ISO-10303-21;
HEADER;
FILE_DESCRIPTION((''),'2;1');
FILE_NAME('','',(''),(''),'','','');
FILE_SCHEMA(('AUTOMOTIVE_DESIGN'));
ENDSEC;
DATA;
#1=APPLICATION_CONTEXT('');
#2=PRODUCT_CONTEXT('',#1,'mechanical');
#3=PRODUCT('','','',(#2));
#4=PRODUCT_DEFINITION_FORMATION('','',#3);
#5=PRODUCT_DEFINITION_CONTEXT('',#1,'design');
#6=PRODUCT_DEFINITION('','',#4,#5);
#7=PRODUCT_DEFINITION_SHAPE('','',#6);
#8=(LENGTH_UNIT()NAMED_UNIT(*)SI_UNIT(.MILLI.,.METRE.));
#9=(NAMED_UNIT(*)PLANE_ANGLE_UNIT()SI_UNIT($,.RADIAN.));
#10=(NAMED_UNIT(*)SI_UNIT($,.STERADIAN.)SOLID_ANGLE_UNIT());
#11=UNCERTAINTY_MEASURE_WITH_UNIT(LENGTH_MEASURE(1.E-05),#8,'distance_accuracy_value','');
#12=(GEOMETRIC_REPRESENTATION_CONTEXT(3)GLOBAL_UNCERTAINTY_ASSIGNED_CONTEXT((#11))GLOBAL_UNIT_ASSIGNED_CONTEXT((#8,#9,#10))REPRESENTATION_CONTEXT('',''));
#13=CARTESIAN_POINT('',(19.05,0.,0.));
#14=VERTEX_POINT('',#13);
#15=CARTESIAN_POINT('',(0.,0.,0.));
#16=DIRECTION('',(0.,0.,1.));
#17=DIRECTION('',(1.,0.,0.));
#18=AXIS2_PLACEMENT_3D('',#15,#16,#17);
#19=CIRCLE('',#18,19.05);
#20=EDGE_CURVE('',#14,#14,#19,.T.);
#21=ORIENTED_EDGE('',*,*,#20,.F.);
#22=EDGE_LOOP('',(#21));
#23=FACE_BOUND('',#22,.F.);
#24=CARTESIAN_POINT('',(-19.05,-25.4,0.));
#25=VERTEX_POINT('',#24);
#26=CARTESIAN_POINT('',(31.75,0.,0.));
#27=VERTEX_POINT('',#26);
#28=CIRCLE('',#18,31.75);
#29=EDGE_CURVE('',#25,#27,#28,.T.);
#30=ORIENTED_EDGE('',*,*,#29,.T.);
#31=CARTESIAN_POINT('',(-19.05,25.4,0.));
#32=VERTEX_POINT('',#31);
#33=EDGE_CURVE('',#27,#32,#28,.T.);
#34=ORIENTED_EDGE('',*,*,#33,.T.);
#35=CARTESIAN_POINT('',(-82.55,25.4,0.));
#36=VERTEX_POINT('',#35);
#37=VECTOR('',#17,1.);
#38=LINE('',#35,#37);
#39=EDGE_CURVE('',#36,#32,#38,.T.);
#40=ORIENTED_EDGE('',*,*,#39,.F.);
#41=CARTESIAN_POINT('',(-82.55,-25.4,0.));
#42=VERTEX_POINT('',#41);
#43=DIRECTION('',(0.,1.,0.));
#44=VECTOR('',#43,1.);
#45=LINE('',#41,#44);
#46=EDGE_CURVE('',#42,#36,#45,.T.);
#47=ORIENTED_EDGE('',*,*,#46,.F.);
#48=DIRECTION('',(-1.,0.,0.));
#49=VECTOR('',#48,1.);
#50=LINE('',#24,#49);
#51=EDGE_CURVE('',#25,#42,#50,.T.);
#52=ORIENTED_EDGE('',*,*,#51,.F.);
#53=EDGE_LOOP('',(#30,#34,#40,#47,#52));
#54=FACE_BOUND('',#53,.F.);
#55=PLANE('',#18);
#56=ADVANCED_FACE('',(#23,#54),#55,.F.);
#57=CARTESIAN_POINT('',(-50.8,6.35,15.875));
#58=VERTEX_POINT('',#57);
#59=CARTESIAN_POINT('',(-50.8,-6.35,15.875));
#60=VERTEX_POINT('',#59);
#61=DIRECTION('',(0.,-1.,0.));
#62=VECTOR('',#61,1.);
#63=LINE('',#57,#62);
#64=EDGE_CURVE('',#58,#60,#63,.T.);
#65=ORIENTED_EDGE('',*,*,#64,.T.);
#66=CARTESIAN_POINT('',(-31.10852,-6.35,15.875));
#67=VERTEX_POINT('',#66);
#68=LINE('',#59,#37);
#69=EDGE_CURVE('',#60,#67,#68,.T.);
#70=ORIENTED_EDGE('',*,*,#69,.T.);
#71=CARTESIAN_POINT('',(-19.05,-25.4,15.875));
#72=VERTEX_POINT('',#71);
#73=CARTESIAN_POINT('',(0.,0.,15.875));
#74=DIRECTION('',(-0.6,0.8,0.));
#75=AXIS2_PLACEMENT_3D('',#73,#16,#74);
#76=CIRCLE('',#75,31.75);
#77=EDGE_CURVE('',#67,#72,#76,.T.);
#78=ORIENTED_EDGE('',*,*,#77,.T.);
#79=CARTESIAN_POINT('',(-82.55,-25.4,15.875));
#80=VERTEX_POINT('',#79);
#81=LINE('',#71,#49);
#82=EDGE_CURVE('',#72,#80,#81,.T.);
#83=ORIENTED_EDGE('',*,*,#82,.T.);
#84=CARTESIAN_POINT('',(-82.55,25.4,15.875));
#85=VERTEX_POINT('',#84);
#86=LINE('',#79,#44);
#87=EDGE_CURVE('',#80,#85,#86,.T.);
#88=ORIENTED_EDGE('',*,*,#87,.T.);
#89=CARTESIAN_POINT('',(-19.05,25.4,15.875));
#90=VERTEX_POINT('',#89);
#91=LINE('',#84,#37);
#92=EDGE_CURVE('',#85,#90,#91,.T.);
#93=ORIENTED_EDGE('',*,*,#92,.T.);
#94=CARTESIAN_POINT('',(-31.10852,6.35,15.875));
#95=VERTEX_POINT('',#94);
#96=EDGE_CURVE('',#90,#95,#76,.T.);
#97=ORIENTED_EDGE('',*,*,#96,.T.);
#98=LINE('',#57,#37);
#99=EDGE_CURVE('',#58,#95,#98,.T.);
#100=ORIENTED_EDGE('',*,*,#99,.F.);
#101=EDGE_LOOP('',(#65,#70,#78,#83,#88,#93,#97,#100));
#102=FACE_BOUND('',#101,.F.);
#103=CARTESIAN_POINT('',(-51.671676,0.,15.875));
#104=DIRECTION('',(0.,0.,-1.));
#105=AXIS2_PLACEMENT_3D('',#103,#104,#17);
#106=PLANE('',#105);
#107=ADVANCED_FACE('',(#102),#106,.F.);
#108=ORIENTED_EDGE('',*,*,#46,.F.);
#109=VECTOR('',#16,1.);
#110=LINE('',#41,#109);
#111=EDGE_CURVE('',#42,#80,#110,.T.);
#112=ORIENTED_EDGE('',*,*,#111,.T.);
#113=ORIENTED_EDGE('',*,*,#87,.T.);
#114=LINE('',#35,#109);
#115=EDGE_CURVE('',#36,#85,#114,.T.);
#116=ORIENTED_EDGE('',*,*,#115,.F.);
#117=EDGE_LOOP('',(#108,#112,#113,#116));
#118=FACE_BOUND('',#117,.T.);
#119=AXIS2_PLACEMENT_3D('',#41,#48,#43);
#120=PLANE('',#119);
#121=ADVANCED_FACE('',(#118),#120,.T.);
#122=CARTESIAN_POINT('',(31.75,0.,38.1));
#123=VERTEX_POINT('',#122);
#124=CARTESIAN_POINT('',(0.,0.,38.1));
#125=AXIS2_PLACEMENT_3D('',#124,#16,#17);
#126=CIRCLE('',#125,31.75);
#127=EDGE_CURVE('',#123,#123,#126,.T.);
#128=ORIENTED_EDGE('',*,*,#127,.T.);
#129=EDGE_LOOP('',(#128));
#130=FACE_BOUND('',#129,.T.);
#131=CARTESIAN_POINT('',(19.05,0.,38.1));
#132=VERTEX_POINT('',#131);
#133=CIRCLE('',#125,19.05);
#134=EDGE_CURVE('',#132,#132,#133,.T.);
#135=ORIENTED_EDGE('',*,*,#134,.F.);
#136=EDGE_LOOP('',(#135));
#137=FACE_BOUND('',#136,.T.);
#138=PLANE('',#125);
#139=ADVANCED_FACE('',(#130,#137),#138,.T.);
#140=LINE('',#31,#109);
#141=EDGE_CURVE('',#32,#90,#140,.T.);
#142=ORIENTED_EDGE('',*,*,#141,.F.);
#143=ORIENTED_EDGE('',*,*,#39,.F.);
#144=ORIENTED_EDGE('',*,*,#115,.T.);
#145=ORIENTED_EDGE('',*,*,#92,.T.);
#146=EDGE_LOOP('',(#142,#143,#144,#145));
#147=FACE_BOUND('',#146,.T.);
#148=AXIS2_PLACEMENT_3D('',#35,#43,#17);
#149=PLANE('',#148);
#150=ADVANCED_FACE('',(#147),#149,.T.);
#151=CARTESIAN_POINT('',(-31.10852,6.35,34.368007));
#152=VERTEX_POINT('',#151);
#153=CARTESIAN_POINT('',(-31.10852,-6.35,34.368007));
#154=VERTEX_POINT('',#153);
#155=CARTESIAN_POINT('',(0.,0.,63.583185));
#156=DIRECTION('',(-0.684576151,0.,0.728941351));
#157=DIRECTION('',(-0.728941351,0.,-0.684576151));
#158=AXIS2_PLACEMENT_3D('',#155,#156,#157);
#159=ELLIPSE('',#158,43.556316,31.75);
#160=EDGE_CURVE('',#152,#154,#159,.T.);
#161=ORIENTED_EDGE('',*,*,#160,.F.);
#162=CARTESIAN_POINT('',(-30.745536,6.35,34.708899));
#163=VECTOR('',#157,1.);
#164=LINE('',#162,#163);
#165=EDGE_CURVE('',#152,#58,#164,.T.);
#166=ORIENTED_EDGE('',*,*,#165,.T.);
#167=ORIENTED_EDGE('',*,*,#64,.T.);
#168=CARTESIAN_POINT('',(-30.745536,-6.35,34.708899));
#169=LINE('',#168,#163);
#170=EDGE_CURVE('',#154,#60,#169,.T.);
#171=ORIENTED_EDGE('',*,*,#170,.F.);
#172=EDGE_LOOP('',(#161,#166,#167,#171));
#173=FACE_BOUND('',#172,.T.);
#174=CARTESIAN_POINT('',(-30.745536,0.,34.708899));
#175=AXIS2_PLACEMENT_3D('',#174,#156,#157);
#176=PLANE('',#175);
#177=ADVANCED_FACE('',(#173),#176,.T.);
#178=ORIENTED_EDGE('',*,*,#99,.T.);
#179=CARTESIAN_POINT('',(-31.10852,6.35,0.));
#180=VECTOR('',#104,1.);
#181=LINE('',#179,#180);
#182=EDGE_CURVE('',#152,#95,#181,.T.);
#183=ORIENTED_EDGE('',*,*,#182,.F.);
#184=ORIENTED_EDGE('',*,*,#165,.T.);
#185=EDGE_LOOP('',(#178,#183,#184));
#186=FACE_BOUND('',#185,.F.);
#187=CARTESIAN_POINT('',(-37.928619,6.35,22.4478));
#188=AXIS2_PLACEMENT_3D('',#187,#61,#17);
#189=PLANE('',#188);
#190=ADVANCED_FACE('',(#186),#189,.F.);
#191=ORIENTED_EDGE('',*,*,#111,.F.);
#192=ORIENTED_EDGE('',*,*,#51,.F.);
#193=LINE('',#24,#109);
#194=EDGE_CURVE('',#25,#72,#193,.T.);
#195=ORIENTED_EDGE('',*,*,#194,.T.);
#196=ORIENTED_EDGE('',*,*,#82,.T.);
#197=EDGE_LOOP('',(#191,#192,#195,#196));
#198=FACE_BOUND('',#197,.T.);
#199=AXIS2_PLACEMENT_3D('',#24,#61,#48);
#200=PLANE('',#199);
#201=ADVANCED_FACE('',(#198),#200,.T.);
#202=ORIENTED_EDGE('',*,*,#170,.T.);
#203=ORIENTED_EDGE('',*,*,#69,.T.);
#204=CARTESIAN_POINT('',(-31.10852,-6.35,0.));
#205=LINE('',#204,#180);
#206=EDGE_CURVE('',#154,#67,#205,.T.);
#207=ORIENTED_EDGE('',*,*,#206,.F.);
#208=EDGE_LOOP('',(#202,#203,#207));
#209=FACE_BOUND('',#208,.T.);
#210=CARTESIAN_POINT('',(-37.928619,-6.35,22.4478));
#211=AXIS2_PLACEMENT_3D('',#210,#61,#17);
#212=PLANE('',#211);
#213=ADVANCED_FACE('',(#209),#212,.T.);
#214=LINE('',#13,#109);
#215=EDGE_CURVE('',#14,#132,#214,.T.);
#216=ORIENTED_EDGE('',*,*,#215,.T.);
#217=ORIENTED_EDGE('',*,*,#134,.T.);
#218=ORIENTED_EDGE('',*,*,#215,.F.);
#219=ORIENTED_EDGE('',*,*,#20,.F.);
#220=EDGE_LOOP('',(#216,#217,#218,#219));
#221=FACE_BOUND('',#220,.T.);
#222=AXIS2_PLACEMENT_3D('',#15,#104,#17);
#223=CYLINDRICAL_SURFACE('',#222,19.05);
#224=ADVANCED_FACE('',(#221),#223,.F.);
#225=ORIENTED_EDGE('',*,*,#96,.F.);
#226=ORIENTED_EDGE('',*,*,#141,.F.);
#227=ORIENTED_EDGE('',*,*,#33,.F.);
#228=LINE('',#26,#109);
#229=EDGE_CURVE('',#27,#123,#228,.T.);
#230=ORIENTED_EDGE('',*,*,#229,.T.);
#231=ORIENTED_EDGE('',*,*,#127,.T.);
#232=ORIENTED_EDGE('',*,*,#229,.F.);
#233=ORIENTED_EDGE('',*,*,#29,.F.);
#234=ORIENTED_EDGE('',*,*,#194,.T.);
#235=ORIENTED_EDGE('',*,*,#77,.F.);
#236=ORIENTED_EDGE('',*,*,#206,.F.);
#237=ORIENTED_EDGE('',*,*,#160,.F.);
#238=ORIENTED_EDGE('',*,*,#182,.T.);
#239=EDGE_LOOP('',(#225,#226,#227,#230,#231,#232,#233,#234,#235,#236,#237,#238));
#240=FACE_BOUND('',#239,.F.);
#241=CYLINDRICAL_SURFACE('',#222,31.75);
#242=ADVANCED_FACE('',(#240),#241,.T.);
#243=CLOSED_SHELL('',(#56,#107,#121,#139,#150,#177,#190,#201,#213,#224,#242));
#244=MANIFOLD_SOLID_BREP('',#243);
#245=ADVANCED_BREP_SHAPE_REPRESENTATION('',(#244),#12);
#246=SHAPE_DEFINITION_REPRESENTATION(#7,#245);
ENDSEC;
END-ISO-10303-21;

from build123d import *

# Parameters (mm, degrees)
F0_R     = 31.75
F0_R_2   = 19.05
F1_DEPTH = 38.1
F3_DEPTH = 15.875
F5_DEPTH = 6.35


with BuildPart() as f1:
    # F0 (on Top) → F1 (new body)
    with BuildSketch(Plane.XY):
        Circle(F0_R)
        Circle(F0_R_2, mode=Mode.SUBTRACT)
    extrude(amount=F1_DEPTH)

    # F2 (on face) → F3 (join)
    with BuildSketch(Plane(origin=(0, 0, 0), x_dir=(1, 0, 0), z_dir=(0, 0, -1))):
        with BuildLine():
            Line((-82.55, -25.4), (-19.05, -25.4))
            ThreePointArc((-19.05, -25.4), (-31.75, 0), (-19.05, 25.4))
            Line((-19.05, 25.4), (-82.55, 25.4))
            Line((-82.55, 25.4), (-82.55, -25.4))
        make_face()
    extrude(amount=-F3_DEPTH)

    # F4 (on Front) → F5 (join, symmetric)
    with BuildSketch(Plane.XZ):
        Polygon((-30.745536, 34.708899), (-50.8, 15.875), (-30.745536, 15.875), align=None)
    extrude(amount=F5_DEPTH, both=True)


solid = f1.part
